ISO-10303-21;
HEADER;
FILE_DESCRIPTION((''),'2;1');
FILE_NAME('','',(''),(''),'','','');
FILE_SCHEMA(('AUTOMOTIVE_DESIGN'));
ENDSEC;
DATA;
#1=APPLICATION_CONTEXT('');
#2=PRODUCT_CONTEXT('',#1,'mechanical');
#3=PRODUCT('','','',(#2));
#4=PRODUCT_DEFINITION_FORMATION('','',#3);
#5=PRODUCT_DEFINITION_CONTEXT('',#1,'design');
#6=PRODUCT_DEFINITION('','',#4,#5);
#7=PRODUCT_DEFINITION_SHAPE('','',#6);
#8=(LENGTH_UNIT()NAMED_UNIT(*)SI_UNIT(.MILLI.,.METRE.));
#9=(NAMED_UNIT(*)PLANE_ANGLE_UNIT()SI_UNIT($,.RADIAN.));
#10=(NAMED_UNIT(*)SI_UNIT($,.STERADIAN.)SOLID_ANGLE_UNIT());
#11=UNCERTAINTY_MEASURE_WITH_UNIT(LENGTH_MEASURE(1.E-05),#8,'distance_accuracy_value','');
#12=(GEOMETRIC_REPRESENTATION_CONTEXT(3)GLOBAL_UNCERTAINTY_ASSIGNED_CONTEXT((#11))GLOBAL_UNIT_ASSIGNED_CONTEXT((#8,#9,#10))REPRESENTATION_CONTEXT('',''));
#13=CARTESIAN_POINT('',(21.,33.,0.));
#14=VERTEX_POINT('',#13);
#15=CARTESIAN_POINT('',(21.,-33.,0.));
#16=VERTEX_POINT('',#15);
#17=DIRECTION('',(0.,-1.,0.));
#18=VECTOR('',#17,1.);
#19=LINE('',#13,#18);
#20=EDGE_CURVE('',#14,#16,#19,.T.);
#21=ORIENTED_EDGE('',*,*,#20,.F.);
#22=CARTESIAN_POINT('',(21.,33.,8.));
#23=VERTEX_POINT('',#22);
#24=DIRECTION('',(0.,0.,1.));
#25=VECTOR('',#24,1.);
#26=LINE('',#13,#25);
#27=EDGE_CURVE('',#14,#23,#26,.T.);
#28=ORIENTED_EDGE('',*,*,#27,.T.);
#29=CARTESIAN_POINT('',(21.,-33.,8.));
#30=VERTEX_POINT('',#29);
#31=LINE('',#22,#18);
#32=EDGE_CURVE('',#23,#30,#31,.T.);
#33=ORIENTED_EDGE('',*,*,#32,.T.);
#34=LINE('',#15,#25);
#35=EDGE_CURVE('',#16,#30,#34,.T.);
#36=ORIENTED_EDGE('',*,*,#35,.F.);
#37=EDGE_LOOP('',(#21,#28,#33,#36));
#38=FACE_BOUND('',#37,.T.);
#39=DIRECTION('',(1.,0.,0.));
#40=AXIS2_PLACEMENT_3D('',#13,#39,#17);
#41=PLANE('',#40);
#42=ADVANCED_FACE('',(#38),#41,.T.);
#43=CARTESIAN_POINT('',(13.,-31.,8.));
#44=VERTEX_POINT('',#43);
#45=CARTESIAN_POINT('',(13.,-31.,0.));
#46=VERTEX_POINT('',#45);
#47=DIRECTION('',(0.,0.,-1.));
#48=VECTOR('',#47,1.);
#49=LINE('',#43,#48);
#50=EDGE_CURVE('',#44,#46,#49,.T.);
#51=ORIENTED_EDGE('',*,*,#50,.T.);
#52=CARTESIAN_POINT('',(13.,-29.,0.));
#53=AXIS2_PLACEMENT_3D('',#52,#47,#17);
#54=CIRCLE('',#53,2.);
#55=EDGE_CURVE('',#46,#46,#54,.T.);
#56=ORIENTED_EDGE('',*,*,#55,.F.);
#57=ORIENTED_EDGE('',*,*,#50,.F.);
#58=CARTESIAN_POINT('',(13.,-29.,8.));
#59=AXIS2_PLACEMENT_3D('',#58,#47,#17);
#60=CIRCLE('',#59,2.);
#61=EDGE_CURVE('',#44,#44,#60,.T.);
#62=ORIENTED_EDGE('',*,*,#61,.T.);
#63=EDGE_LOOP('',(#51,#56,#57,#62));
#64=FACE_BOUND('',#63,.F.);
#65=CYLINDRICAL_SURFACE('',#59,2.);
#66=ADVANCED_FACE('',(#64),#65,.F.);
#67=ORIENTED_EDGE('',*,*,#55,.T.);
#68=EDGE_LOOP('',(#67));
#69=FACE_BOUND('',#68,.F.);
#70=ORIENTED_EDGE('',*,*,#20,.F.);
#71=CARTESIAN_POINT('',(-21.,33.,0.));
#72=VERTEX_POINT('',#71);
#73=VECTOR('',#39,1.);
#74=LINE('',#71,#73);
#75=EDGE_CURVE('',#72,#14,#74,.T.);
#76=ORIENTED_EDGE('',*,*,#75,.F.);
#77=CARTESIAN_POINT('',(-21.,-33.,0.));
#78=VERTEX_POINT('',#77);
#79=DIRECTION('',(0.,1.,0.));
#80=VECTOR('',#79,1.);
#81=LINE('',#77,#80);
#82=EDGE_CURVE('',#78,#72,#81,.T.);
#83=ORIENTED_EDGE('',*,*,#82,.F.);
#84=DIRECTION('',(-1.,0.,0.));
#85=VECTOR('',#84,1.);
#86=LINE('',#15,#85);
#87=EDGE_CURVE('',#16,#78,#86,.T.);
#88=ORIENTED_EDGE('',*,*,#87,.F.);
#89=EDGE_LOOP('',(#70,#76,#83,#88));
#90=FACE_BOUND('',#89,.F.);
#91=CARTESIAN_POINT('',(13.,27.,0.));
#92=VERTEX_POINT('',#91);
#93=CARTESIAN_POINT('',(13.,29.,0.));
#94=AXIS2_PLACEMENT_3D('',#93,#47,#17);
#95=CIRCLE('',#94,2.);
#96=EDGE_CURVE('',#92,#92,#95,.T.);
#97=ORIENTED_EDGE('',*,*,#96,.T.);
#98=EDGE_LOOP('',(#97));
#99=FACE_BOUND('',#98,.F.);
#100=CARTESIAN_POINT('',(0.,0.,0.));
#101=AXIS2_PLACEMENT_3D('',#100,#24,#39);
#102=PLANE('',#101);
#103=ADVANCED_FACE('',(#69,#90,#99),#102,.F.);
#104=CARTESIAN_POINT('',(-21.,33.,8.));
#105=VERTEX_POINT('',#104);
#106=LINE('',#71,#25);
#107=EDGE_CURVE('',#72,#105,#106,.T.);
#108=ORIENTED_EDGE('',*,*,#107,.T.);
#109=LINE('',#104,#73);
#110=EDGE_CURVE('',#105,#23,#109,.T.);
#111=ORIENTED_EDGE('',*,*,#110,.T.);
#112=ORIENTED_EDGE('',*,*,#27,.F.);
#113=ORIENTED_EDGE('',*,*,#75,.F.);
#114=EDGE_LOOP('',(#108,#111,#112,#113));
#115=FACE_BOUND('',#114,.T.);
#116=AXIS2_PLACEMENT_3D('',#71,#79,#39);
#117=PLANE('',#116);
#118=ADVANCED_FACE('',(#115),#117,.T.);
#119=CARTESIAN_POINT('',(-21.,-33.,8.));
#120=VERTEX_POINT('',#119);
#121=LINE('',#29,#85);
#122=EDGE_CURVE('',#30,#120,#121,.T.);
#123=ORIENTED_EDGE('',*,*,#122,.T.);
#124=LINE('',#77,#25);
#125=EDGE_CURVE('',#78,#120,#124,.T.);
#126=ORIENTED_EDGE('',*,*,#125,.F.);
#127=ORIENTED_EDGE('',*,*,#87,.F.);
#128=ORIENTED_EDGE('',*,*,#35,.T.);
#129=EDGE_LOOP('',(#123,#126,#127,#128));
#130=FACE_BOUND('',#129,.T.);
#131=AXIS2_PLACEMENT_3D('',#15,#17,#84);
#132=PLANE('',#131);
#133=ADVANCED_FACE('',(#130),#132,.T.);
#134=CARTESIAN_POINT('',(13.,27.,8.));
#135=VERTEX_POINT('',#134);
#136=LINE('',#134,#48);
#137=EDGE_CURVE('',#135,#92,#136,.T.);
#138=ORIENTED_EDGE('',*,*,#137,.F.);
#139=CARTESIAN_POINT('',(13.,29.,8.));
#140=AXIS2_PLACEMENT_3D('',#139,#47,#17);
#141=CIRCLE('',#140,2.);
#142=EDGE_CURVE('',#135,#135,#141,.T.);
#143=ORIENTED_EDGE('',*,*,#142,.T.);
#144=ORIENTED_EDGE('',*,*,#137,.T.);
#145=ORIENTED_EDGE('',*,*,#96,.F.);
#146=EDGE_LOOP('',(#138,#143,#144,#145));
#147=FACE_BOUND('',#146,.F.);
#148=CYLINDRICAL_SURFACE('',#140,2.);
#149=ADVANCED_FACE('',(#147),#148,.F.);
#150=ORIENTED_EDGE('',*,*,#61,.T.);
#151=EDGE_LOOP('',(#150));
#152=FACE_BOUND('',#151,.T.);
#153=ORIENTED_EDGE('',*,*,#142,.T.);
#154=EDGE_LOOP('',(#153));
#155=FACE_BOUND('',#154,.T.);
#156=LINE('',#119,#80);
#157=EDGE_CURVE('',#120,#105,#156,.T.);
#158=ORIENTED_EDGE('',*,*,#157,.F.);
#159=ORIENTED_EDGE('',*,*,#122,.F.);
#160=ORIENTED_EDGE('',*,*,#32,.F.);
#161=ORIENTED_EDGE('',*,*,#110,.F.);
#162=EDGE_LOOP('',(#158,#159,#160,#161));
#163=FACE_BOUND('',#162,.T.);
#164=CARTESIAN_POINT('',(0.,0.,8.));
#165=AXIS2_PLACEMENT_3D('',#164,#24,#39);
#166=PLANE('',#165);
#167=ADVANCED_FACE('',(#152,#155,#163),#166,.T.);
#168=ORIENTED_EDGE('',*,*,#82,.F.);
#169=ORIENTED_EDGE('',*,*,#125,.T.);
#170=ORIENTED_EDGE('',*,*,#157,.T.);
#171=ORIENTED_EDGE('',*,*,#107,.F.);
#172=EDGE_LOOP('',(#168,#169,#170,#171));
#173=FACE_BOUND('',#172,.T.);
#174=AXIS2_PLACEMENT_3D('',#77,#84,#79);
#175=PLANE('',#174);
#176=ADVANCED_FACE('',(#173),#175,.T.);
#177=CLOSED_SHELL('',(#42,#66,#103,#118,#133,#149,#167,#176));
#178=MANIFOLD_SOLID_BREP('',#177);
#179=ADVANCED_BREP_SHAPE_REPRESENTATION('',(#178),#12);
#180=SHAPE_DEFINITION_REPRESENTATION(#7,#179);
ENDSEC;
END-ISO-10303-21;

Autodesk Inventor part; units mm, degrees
ref_plane "YZ Plane" through (0, 0, 0) normal (1, 0, 0) x (0, 1, 0)
ref_plane "XZ Plane" through (0, 0, 0) normal (0, 1, 0) x (-1, 0, 0)
ref_plane "XY Plane" through (0, 0, 0) normal (0, 0, 1) x (1, 0, 0)
sketch "Sketch1" plane through (0, 0, 0) normal (0, 0, 1) x (1, 0, 0)
  line L0 (-21, 33) -> (21, 33)
  line L1 (21, 33) -> (21, -33)
  line L2 (21, -33) -> (-21, -33)
  line L3 (-21, -33) -> (-21, 33)
  point P0 (0, 0)
  point P1 (0, 33)
  point P2 (-21, 0)
  dimension "d0" = 42
  dimension "d1" = 66
extrude "Extrusion1" add sketch "Sketch1" along normal blind 8
sketch "Sketch4" plane through (0, 0, 8) normal (0, 0, 1) x (1, 0, 0)
  line L0 (-21, -33) -> (21, -33) projected
  line L1 (21, 33) -> (-21, 33) projected
  line L2 (21, -33) -> (21, 33) projected
  point P0 (0, 0)
  point P1 (13, -29)
  point P2 (13, 29)
  dimension "d19" = 4
  dimension "d20" = 4
  dimension "d21" = 8
hole "Hole1" at (13, -29, 8) at (13, 29, 8) direction (0, 0, -1) diameter 4 end through all
properties part number "0005-10-016"
